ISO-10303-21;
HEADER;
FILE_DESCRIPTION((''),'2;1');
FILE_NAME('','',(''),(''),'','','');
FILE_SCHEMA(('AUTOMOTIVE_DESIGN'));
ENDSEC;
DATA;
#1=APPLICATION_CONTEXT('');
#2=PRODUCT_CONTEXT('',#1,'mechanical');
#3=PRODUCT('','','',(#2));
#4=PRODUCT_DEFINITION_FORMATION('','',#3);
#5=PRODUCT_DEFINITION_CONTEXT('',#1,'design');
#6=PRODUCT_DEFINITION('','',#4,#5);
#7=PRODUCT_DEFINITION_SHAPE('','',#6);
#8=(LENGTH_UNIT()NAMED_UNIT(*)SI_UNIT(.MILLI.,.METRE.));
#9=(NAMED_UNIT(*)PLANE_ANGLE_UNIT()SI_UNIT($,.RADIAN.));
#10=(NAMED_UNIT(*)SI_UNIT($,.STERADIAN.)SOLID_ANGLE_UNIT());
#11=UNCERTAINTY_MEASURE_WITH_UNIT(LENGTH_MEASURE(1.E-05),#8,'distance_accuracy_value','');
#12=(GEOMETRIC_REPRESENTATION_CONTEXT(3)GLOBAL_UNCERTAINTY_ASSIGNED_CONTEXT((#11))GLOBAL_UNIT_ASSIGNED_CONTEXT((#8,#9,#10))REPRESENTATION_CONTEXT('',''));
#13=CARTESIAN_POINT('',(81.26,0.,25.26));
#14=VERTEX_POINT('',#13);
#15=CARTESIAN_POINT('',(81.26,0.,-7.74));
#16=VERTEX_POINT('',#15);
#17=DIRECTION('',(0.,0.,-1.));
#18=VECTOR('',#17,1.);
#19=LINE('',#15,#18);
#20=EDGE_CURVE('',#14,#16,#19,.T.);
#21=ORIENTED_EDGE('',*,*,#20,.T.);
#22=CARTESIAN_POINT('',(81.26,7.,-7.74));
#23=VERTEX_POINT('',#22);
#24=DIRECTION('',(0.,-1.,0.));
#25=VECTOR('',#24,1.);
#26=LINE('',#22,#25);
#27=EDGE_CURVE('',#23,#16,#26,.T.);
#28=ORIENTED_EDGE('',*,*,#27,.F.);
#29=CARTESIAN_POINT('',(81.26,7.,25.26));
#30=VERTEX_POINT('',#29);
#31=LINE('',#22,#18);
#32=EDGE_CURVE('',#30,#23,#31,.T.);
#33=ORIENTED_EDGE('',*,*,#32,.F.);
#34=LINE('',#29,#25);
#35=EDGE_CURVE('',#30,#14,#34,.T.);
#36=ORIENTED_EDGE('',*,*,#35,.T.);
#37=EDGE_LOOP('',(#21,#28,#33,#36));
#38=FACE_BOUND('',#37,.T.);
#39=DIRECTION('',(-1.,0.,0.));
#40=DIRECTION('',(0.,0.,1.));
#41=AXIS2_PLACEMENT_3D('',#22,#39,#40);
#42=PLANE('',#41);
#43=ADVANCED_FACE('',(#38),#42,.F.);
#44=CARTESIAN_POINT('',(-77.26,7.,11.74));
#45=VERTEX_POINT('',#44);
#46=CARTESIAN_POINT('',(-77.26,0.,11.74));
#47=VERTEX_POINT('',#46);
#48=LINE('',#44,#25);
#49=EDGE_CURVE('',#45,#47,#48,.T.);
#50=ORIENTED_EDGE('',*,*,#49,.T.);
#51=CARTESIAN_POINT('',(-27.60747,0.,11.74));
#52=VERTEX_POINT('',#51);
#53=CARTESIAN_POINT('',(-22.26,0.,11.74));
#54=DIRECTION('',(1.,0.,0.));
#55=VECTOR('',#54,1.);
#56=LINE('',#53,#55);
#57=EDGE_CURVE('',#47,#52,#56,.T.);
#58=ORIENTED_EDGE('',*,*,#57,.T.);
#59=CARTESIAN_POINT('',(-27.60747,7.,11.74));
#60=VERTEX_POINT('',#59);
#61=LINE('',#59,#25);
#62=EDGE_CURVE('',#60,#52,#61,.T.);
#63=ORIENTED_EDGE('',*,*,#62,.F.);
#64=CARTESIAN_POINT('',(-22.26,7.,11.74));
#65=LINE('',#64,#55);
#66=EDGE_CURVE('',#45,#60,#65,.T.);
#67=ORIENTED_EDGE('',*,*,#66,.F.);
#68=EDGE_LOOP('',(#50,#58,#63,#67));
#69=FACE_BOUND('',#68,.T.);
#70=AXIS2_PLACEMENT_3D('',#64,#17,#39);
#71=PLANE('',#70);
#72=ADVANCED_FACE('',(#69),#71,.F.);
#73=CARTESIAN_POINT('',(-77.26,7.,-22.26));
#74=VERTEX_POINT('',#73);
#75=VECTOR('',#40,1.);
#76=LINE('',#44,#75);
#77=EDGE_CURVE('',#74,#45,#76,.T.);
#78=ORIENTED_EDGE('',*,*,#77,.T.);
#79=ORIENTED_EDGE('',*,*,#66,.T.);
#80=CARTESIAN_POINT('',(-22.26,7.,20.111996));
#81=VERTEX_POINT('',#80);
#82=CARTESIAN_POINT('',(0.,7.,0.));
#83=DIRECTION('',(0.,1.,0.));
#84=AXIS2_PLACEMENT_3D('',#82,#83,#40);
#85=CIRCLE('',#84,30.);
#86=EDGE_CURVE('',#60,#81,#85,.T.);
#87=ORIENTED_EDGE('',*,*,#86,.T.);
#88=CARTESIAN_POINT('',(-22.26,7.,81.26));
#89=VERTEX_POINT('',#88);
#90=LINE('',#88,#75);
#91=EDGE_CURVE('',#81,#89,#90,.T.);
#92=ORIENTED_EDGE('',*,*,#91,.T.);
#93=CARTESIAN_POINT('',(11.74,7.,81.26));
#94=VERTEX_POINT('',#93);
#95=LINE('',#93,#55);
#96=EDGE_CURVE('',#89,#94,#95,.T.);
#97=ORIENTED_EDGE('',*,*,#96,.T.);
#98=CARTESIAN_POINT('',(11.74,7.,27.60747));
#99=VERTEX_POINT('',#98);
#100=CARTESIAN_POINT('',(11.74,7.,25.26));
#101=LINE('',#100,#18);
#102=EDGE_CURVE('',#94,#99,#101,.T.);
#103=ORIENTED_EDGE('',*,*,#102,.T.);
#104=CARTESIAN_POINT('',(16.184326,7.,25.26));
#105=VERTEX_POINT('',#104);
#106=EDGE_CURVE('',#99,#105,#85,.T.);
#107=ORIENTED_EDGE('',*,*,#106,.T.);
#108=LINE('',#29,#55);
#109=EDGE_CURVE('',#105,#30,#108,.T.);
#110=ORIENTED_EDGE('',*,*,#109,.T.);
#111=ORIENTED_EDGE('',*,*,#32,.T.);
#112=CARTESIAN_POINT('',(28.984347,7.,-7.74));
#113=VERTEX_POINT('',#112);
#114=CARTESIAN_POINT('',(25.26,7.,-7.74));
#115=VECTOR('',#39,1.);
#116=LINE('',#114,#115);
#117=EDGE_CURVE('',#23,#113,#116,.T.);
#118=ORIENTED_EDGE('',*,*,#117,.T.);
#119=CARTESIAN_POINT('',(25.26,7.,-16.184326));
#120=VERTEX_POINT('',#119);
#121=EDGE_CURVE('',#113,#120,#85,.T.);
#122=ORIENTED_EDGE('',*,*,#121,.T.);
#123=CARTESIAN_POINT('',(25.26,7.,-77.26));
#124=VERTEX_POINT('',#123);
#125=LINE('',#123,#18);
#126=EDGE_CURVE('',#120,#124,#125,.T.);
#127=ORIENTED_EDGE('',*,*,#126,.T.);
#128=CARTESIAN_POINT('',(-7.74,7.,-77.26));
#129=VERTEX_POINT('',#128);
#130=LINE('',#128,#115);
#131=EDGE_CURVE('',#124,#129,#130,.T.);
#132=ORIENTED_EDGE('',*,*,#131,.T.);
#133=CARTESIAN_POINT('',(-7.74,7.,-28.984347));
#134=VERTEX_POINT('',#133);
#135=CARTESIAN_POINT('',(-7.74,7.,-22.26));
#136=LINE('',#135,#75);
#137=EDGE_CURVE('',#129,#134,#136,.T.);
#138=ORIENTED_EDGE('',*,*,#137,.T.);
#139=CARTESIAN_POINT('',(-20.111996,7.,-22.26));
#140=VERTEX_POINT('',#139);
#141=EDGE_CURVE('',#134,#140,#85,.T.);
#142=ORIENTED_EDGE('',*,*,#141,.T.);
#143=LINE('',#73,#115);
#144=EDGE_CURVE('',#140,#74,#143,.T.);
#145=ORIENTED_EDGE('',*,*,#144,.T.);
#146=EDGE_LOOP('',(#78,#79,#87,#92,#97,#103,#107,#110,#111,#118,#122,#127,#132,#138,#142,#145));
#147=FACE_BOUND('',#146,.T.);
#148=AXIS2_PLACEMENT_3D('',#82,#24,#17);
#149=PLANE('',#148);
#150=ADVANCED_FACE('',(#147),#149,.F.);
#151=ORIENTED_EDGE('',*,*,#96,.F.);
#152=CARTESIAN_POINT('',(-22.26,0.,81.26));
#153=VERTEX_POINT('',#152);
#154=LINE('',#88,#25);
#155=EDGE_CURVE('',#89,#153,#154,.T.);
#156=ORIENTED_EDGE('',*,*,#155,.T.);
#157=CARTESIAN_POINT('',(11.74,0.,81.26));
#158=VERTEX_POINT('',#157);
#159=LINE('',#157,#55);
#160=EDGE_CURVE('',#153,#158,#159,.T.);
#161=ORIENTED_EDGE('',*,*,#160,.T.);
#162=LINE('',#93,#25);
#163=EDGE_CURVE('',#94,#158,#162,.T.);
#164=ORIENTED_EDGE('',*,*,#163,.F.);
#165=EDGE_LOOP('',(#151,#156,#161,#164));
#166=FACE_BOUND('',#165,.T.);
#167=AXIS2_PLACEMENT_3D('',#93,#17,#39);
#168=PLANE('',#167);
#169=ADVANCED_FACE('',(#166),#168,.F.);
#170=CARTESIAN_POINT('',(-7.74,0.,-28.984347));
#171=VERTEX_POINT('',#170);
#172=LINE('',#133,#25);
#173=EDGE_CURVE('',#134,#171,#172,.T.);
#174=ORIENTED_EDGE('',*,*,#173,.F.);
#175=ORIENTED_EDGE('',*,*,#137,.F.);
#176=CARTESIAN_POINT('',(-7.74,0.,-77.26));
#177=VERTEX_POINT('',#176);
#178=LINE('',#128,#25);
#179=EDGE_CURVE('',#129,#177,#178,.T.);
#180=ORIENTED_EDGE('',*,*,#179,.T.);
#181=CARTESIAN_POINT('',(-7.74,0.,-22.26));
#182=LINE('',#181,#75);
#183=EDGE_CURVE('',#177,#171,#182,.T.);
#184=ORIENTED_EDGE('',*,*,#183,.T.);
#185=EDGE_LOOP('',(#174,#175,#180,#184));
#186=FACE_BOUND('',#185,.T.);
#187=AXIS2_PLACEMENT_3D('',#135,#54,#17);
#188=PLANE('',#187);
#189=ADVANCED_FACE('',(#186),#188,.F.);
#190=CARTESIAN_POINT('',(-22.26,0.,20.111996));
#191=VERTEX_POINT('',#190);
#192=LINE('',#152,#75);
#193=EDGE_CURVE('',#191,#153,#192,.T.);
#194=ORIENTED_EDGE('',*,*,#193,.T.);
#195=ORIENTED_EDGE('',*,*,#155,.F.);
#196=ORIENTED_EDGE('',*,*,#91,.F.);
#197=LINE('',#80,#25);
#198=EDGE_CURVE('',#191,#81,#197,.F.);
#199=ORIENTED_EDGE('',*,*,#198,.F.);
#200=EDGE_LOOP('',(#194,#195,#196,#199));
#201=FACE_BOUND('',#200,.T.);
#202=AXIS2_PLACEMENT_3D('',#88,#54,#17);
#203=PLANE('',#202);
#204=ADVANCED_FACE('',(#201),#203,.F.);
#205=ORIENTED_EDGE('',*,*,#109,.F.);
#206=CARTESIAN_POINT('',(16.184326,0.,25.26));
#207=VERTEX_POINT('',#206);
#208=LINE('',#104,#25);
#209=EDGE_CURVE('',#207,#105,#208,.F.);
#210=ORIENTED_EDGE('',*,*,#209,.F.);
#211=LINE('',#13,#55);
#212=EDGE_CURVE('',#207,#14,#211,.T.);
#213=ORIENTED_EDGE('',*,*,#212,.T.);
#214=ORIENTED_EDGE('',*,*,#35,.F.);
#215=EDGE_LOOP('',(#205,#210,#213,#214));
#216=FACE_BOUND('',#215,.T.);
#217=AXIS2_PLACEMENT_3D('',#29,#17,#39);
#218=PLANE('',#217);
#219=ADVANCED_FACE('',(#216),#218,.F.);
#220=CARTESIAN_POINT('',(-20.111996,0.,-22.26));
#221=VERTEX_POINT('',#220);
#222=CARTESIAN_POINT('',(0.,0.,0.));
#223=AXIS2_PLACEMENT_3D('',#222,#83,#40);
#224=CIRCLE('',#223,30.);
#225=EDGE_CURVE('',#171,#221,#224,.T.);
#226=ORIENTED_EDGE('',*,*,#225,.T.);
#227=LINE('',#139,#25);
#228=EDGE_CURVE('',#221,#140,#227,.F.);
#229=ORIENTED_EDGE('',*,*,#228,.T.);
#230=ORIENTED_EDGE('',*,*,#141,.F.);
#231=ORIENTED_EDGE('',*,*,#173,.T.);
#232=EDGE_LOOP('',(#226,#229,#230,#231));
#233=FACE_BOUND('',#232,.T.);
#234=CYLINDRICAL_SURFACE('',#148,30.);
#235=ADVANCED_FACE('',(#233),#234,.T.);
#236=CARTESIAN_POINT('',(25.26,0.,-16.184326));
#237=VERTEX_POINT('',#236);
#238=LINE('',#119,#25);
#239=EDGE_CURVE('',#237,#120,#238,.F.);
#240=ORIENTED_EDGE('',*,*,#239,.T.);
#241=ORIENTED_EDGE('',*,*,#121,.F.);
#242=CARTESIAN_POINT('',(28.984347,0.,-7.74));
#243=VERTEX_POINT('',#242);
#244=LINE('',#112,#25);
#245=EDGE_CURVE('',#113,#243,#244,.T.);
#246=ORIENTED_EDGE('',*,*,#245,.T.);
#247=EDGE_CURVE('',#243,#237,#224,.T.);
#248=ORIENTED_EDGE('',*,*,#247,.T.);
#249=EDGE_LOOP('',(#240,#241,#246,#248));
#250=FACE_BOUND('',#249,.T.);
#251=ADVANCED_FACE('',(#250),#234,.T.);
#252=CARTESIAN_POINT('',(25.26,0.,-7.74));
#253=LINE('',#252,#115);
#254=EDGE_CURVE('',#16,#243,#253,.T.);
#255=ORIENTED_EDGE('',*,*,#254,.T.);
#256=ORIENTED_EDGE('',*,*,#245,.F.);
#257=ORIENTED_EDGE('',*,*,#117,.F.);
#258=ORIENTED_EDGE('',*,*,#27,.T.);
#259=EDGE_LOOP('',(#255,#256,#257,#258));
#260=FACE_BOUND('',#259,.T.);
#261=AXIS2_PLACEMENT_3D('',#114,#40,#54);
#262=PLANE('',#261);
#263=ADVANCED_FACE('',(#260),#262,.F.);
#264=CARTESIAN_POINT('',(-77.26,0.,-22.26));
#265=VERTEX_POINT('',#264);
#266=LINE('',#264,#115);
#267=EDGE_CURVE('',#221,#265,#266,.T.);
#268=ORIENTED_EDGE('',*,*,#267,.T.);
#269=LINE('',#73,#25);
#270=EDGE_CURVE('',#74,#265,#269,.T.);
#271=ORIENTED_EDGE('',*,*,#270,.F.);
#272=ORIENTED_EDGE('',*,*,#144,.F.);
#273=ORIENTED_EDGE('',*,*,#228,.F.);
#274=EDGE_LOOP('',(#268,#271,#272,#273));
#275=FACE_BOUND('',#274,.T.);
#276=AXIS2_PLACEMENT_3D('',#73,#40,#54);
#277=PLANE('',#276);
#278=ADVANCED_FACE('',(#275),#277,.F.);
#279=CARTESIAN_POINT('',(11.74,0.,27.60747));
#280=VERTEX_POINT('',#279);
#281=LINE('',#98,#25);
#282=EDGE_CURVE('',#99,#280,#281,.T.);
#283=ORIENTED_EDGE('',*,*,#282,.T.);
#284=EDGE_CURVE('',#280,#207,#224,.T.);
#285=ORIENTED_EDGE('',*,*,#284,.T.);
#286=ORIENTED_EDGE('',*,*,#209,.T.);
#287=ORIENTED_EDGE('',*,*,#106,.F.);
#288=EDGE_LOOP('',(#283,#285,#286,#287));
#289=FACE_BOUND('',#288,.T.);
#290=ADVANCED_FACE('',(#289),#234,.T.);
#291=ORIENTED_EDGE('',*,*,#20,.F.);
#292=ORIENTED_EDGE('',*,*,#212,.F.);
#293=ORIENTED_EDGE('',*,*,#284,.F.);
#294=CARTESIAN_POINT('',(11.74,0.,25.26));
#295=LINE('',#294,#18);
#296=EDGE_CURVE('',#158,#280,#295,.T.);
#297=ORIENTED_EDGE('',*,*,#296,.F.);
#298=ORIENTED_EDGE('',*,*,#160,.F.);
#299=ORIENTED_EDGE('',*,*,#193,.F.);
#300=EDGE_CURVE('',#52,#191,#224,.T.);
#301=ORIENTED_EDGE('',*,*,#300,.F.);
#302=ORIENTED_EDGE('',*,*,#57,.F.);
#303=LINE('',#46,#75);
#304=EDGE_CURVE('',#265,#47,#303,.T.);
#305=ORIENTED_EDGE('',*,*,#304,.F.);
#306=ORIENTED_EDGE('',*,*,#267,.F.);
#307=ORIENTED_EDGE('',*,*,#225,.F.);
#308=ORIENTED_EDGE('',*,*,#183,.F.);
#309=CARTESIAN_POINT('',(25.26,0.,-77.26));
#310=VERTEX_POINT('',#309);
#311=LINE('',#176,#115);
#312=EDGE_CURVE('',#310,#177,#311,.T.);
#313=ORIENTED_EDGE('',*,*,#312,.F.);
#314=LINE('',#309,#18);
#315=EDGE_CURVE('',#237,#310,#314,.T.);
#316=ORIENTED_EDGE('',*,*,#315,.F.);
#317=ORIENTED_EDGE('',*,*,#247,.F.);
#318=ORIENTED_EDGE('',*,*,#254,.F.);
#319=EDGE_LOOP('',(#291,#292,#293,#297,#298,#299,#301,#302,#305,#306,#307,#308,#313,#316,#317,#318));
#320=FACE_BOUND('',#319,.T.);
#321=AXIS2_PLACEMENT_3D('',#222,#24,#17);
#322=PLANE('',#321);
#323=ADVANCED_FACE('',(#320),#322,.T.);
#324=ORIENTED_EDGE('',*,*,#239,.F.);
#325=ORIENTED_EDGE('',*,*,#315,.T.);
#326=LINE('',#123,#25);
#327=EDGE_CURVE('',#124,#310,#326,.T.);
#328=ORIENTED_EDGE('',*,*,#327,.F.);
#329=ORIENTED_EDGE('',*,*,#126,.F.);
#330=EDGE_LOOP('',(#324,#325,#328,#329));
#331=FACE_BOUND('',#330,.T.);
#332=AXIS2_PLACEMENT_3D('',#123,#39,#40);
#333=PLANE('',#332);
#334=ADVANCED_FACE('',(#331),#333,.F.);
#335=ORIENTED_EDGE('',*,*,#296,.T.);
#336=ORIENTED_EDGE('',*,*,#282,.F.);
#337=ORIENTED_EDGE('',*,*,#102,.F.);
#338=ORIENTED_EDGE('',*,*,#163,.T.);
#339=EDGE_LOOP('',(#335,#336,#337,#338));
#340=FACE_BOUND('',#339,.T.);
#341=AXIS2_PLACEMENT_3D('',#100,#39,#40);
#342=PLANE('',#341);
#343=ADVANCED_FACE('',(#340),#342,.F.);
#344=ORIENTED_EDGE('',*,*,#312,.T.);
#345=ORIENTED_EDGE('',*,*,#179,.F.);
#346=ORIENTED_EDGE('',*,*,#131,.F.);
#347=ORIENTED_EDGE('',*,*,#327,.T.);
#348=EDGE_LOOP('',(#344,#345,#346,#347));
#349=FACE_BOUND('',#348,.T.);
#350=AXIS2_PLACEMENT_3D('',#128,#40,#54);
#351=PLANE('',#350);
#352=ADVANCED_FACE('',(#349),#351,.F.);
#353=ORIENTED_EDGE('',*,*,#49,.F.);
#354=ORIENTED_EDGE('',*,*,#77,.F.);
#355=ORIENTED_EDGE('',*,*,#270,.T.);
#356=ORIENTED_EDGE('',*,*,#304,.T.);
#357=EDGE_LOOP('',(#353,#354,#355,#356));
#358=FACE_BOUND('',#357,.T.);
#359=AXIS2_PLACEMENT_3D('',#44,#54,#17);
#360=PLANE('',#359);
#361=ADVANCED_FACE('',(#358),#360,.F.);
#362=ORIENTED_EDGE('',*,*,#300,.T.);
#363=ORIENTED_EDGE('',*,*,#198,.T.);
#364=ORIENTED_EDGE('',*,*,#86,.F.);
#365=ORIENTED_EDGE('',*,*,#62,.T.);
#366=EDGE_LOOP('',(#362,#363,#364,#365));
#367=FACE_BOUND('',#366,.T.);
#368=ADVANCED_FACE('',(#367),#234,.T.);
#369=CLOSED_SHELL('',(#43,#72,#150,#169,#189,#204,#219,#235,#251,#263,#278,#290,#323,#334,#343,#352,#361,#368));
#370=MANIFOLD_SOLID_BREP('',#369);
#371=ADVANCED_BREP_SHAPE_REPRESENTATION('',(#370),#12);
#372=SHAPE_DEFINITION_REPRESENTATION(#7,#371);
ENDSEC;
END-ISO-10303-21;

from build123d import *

# Parameters (mm, degrees)
BOSS_EXTRUDE1_DEPTH = 7
SKETCH2_R           = 30
BOSS_EXTRUDE2_DEPTH = 7


with BuildPart() as part:
    # Sketch1 → Boss-Extrude1 (new body)
    with BuildSketch(Plane(origin=(0, 0, 0), x_dir=(1, 0, 0), z_dir=(0, 1, 0))):
        Polygon((-77.26, -11.74), (-77.26, 22.26), (-7.74, 22.26), (-7.74, 77.26), (25.26, 77.26), (25.26, 7.74), (81.26, 7.74), (81.26, -25.26), (11.74, -25.26), (11.74, -81.26), (-22.26, -81.26), (-22.26, -11.74), align=None)
        with BuildLine():
            Line((-1.65, 1.3), (1.65, 1.3))
            ThreePointArc((1.65, 1.3), (2.188477631, 0), (1.65, -1.3))
            Line((1.65, -1.3), (-1.65, -1.3))
            ThreePointArc((-1.65, -1.3), (-2.188477631, 0), (-1.65, 1.3))
        make_face(mode=Mode.SUBTRACT)
    extrude(amount=BOSS_EXTRUDE1_DEPTH)

    # Sketch2 → Boss-Extrude2 (add)
    with BuildSketch(Plane(origin=(0, 0, 0), x_dir=(1, 0, 0), z_dir=(0, 1, 0))):
        Circle(SKETCH2_R)
    extrude(amount=BOSS_EXTRUDE2_DEPTH)


solid = part.part
